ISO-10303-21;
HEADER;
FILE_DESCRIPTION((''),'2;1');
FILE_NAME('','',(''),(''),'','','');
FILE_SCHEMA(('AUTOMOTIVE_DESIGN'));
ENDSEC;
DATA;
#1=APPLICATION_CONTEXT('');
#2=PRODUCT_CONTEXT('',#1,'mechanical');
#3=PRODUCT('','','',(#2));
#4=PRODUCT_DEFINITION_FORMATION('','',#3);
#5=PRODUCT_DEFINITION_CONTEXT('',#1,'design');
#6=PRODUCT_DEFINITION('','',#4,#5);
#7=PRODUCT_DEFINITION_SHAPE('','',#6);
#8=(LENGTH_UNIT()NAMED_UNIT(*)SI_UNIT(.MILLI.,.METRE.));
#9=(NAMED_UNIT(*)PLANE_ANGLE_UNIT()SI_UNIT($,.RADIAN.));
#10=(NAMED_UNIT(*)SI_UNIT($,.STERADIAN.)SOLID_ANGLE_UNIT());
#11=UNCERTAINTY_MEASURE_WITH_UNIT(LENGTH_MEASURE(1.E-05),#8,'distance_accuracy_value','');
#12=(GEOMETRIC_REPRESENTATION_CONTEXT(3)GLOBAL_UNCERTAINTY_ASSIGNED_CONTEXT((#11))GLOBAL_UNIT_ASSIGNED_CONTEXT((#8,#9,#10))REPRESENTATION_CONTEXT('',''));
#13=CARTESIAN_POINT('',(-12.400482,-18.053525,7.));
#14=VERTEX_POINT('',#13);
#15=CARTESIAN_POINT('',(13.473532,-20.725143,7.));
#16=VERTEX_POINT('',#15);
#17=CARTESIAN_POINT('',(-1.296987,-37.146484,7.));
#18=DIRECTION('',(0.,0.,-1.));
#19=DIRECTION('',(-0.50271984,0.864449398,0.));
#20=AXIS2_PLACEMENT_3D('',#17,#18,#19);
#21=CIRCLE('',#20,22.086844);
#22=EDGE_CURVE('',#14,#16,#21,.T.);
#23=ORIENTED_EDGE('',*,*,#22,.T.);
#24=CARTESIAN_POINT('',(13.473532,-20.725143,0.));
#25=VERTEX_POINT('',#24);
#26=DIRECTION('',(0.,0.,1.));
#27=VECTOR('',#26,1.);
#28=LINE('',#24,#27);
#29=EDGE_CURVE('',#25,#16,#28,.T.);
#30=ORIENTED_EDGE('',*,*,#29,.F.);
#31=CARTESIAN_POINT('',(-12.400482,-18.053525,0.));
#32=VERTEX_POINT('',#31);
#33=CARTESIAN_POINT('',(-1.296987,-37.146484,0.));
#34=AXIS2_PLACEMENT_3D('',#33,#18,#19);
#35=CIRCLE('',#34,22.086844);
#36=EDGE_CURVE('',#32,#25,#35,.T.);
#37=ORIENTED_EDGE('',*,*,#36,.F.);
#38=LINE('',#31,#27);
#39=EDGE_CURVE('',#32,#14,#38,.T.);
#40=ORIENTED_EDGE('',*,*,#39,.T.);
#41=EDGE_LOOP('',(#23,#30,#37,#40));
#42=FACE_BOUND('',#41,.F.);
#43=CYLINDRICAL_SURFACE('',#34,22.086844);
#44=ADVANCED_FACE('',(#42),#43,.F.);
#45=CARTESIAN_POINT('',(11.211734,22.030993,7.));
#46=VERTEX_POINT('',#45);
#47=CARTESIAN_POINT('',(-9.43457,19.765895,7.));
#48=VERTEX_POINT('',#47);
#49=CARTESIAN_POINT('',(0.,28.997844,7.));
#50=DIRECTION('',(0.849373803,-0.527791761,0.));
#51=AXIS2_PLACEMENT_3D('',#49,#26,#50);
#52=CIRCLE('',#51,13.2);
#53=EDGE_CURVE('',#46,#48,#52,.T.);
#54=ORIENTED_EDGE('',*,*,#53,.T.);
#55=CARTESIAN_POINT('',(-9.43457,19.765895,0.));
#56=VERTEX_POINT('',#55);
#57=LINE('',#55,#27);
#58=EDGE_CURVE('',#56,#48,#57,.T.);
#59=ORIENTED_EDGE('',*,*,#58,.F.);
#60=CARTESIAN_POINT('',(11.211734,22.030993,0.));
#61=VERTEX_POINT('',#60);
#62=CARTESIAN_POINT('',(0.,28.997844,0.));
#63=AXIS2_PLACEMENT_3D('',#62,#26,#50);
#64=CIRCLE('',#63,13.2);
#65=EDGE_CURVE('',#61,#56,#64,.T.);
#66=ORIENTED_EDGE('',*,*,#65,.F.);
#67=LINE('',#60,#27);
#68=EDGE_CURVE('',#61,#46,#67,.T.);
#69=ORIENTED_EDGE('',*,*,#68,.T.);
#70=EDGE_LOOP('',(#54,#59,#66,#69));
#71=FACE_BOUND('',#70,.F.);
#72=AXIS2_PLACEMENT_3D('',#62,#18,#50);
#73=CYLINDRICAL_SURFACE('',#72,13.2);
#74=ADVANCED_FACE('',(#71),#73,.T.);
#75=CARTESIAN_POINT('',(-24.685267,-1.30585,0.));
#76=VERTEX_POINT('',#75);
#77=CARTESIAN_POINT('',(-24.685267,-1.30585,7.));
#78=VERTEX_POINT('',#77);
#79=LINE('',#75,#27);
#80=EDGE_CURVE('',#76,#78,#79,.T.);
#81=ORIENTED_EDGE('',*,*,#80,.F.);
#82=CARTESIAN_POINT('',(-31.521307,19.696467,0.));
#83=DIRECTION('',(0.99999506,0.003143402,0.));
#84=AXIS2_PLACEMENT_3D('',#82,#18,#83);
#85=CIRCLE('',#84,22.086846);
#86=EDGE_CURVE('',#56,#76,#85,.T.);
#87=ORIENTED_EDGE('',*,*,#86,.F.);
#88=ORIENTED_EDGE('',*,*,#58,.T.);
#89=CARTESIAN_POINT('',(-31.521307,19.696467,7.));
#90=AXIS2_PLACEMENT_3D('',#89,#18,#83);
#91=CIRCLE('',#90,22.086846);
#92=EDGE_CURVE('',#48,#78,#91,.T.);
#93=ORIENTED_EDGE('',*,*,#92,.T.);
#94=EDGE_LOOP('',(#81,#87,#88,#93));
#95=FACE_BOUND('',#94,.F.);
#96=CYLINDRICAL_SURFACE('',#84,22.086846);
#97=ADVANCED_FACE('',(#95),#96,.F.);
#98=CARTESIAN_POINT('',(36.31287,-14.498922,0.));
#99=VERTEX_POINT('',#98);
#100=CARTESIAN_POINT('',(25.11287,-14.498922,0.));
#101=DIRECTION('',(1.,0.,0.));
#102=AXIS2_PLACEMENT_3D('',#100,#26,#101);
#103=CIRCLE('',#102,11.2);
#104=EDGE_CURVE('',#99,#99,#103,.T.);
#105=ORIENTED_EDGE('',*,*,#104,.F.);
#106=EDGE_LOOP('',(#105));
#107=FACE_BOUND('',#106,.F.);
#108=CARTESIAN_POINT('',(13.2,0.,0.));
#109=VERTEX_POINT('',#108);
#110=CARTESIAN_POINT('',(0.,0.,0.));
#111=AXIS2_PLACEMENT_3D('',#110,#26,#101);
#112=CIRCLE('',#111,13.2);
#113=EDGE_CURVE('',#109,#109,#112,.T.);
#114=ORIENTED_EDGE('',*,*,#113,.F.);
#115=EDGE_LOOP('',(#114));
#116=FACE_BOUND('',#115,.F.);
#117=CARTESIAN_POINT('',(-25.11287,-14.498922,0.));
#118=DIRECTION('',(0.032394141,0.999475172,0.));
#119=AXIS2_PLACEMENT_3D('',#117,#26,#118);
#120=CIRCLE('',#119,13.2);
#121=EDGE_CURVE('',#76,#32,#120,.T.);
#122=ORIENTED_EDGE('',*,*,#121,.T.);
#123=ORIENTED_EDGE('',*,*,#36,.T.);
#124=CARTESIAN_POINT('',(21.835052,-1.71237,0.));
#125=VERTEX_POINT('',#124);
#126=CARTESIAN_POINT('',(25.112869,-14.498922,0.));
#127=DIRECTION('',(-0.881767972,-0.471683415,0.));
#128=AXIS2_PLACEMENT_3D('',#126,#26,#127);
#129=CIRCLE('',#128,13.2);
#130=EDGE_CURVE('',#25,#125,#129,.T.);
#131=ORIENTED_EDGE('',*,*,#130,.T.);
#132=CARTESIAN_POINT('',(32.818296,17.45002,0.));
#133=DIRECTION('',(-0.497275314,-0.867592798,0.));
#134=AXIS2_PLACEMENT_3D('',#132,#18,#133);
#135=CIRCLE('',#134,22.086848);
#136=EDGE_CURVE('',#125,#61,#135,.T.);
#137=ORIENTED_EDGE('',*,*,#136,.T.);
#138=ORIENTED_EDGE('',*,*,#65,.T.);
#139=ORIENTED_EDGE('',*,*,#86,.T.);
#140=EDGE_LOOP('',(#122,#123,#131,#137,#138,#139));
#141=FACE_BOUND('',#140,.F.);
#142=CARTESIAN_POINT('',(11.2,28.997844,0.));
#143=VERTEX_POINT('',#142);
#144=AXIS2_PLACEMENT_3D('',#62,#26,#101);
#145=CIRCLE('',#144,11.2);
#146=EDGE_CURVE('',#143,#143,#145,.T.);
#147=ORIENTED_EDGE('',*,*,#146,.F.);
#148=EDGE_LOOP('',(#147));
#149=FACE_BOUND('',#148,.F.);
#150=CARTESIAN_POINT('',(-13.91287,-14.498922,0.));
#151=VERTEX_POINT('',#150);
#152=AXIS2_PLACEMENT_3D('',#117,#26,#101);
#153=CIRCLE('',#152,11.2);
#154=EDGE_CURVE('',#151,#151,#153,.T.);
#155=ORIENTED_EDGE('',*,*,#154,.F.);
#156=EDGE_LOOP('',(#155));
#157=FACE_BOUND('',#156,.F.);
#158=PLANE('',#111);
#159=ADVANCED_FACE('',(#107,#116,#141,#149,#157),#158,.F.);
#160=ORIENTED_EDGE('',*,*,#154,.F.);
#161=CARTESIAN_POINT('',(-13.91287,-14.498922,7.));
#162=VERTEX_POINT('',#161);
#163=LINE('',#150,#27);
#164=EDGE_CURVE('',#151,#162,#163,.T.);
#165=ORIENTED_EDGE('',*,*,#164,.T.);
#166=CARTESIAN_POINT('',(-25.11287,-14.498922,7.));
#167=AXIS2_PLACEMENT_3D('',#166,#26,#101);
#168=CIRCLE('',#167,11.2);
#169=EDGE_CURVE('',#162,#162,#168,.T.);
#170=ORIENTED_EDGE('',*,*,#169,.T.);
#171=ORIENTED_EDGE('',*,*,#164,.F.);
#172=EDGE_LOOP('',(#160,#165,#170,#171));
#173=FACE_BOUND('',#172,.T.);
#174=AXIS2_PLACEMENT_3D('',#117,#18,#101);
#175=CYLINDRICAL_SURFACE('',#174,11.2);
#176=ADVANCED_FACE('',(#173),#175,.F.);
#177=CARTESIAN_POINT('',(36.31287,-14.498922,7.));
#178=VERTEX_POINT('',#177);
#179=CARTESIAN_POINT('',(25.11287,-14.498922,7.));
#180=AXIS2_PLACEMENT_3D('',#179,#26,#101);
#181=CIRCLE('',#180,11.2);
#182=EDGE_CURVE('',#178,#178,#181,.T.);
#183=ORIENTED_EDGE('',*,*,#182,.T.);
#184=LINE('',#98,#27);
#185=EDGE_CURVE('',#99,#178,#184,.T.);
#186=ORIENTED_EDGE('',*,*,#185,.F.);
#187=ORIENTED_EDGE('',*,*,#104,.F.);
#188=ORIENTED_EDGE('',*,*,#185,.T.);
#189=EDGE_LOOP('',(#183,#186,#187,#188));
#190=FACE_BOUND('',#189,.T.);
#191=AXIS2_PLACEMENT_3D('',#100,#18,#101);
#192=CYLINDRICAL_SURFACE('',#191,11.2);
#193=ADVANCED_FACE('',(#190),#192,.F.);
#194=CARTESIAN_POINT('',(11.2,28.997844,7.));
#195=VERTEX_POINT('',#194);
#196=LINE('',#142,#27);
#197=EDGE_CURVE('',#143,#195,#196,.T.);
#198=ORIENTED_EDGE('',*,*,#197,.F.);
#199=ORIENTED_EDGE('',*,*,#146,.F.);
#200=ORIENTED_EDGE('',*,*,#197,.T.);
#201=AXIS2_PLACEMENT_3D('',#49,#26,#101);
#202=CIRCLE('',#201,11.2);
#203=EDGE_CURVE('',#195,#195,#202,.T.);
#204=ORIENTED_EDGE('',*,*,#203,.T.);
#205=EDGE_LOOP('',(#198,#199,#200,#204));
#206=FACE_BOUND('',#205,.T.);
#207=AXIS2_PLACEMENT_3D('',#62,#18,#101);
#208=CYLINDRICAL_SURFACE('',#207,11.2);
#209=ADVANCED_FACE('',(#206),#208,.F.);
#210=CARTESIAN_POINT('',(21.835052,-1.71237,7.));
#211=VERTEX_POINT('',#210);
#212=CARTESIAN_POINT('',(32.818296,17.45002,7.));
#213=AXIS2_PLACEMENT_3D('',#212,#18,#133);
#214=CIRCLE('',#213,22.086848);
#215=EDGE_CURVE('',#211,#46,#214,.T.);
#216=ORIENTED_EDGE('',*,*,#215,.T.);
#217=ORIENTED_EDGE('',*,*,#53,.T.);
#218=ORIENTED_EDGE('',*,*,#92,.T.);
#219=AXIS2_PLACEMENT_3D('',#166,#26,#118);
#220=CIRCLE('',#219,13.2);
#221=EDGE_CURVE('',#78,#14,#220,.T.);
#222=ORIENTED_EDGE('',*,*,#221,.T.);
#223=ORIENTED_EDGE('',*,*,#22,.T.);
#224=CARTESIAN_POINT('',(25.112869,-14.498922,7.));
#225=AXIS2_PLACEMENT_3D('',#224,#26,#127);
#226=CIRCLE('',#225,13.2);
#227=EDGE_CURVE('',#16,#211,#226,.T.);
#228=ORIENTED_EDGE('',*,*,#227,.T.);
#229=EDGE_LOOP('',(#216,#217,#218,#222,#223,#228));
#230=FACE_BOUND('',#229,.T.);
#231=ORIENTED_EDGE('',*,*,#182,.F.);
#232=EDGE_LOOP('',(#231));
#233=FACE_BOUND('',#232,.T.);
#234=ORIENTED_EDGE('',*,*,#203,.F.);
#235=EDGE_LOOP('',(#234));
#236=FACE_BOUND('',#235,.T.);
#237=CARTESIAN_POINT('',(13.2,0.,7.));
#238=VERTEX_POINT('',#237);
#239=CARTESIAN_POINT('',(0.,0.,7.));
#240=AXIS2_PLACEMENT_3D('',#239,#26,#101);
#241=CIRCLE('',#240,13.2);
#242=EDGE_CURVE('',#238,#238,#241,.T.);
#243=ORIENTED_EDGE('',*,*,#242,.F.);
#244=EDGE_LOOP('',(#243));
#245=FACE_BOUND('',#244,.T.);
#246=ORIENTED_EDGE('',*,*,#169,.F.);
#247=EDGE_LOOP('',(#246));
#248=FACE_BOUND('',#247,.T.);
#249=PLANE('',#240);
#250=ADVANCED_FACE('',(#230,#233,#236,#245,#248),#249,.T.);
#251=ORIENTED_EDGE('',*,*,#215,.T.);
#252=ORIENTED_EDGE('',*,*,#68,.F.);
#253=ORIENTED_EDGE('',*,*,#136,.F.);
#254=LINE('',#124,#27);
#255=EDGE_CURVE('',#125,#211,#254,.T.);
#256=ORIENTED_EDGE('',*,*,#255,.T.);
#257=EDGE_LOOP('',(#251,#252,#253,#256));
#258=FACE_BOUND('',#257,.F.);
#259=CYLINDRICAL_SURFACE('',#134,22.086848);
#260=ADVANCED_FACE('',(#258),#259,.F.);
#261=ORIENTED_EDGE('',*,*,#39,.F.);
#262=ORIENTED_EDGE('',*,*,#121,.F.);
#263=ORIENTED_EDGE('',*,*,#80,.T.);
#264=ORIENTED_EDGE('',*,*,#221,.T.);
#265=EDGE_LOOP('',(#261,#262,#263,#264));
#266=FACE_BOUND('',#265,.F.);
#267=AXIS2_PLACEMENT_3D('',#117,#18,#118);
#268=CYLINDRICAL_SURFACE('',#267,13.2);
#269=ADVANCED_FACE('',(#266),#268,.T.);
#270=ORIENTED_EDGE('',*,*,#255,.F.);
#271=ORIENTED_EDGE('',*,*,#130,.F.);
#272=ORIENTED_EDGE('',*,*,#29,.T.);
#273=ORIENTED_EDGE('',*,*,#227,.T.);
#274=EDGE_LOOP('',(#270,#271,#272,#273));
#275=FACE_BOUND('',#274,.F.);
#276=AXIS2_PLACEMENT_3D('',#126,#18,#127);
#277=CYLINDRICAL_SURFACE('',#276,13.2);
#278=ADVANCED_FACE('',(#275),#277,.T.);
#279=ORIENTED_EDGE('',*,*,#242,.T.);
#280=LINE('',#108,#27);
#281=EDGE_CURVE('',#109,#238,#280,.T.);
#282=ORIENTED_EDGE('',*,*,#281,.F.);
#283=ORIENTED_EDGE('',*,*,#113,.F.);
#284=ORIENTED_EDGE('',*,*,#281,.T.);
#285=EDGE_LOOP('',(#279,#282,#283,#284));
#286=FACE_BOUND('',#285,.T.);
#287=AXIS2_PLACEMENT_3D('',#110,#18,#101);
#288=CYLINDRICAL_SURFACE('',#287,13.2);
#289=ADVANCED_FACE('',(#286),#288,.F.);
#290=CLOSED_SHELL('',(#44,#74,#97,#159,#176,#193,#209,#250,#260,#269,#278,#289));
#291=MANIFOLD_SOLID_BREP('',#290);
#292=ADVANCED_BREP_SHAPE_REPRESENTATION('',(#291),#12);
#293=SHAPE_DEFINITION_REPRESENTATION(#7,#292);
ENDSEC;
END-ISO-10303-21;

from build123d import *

# Parameters (mm, degrees)
F0_R     = 11.2
F0_R_2   = 13.2
F1_DEPTH = 7


with BuildPart() as f1:
    # F0 (on Top) → F1 (new body)
    with BuildSketch(Plane.XY):
        with BuildLine():
            ThreePointArc((21.835052, -1.71237), (12.657426, 8.42959), (11.211734, 22.030993))
            ThreePointArc((11.211734, 22.030993), (-1.43953, 42.119115), (-9.43457, 19.765895))
            ThreePointArc((-9.43457, 19.765895), (-13.628952, 6.746857), (-24.685267, -1.30585))
            ThreePointArc((-24.685267, -1.30585), (-35.756459, -22.306227), (-12.400482, -18.053525))
            ThreePointArc((-12.400482, -18.053525), (0.971526, -15.176447), (13.473532, -20.725143))
            ThreePointArc((13.473532, -20.725143), (37.195988, -19.812888), (21.835052, -1.71237))
        make_face()
        with Locations((-25.11287, -14.498922)):
            Circle(F0_R, mode=Mode.SUBTRACT)
        with Locations((25.11287, -14.498922)):
            Circle(F0_R, mode=Mode.SUBTRACT)
        Circle(F0_R_2, mode=Mode.SUBTRACT)
        with Locations((0, 28.997844)):
            Circle(F0_R, mode=Mode.SUBTRACT)
    extrude(amount=F1_DEPTH)


solid = f1.part
